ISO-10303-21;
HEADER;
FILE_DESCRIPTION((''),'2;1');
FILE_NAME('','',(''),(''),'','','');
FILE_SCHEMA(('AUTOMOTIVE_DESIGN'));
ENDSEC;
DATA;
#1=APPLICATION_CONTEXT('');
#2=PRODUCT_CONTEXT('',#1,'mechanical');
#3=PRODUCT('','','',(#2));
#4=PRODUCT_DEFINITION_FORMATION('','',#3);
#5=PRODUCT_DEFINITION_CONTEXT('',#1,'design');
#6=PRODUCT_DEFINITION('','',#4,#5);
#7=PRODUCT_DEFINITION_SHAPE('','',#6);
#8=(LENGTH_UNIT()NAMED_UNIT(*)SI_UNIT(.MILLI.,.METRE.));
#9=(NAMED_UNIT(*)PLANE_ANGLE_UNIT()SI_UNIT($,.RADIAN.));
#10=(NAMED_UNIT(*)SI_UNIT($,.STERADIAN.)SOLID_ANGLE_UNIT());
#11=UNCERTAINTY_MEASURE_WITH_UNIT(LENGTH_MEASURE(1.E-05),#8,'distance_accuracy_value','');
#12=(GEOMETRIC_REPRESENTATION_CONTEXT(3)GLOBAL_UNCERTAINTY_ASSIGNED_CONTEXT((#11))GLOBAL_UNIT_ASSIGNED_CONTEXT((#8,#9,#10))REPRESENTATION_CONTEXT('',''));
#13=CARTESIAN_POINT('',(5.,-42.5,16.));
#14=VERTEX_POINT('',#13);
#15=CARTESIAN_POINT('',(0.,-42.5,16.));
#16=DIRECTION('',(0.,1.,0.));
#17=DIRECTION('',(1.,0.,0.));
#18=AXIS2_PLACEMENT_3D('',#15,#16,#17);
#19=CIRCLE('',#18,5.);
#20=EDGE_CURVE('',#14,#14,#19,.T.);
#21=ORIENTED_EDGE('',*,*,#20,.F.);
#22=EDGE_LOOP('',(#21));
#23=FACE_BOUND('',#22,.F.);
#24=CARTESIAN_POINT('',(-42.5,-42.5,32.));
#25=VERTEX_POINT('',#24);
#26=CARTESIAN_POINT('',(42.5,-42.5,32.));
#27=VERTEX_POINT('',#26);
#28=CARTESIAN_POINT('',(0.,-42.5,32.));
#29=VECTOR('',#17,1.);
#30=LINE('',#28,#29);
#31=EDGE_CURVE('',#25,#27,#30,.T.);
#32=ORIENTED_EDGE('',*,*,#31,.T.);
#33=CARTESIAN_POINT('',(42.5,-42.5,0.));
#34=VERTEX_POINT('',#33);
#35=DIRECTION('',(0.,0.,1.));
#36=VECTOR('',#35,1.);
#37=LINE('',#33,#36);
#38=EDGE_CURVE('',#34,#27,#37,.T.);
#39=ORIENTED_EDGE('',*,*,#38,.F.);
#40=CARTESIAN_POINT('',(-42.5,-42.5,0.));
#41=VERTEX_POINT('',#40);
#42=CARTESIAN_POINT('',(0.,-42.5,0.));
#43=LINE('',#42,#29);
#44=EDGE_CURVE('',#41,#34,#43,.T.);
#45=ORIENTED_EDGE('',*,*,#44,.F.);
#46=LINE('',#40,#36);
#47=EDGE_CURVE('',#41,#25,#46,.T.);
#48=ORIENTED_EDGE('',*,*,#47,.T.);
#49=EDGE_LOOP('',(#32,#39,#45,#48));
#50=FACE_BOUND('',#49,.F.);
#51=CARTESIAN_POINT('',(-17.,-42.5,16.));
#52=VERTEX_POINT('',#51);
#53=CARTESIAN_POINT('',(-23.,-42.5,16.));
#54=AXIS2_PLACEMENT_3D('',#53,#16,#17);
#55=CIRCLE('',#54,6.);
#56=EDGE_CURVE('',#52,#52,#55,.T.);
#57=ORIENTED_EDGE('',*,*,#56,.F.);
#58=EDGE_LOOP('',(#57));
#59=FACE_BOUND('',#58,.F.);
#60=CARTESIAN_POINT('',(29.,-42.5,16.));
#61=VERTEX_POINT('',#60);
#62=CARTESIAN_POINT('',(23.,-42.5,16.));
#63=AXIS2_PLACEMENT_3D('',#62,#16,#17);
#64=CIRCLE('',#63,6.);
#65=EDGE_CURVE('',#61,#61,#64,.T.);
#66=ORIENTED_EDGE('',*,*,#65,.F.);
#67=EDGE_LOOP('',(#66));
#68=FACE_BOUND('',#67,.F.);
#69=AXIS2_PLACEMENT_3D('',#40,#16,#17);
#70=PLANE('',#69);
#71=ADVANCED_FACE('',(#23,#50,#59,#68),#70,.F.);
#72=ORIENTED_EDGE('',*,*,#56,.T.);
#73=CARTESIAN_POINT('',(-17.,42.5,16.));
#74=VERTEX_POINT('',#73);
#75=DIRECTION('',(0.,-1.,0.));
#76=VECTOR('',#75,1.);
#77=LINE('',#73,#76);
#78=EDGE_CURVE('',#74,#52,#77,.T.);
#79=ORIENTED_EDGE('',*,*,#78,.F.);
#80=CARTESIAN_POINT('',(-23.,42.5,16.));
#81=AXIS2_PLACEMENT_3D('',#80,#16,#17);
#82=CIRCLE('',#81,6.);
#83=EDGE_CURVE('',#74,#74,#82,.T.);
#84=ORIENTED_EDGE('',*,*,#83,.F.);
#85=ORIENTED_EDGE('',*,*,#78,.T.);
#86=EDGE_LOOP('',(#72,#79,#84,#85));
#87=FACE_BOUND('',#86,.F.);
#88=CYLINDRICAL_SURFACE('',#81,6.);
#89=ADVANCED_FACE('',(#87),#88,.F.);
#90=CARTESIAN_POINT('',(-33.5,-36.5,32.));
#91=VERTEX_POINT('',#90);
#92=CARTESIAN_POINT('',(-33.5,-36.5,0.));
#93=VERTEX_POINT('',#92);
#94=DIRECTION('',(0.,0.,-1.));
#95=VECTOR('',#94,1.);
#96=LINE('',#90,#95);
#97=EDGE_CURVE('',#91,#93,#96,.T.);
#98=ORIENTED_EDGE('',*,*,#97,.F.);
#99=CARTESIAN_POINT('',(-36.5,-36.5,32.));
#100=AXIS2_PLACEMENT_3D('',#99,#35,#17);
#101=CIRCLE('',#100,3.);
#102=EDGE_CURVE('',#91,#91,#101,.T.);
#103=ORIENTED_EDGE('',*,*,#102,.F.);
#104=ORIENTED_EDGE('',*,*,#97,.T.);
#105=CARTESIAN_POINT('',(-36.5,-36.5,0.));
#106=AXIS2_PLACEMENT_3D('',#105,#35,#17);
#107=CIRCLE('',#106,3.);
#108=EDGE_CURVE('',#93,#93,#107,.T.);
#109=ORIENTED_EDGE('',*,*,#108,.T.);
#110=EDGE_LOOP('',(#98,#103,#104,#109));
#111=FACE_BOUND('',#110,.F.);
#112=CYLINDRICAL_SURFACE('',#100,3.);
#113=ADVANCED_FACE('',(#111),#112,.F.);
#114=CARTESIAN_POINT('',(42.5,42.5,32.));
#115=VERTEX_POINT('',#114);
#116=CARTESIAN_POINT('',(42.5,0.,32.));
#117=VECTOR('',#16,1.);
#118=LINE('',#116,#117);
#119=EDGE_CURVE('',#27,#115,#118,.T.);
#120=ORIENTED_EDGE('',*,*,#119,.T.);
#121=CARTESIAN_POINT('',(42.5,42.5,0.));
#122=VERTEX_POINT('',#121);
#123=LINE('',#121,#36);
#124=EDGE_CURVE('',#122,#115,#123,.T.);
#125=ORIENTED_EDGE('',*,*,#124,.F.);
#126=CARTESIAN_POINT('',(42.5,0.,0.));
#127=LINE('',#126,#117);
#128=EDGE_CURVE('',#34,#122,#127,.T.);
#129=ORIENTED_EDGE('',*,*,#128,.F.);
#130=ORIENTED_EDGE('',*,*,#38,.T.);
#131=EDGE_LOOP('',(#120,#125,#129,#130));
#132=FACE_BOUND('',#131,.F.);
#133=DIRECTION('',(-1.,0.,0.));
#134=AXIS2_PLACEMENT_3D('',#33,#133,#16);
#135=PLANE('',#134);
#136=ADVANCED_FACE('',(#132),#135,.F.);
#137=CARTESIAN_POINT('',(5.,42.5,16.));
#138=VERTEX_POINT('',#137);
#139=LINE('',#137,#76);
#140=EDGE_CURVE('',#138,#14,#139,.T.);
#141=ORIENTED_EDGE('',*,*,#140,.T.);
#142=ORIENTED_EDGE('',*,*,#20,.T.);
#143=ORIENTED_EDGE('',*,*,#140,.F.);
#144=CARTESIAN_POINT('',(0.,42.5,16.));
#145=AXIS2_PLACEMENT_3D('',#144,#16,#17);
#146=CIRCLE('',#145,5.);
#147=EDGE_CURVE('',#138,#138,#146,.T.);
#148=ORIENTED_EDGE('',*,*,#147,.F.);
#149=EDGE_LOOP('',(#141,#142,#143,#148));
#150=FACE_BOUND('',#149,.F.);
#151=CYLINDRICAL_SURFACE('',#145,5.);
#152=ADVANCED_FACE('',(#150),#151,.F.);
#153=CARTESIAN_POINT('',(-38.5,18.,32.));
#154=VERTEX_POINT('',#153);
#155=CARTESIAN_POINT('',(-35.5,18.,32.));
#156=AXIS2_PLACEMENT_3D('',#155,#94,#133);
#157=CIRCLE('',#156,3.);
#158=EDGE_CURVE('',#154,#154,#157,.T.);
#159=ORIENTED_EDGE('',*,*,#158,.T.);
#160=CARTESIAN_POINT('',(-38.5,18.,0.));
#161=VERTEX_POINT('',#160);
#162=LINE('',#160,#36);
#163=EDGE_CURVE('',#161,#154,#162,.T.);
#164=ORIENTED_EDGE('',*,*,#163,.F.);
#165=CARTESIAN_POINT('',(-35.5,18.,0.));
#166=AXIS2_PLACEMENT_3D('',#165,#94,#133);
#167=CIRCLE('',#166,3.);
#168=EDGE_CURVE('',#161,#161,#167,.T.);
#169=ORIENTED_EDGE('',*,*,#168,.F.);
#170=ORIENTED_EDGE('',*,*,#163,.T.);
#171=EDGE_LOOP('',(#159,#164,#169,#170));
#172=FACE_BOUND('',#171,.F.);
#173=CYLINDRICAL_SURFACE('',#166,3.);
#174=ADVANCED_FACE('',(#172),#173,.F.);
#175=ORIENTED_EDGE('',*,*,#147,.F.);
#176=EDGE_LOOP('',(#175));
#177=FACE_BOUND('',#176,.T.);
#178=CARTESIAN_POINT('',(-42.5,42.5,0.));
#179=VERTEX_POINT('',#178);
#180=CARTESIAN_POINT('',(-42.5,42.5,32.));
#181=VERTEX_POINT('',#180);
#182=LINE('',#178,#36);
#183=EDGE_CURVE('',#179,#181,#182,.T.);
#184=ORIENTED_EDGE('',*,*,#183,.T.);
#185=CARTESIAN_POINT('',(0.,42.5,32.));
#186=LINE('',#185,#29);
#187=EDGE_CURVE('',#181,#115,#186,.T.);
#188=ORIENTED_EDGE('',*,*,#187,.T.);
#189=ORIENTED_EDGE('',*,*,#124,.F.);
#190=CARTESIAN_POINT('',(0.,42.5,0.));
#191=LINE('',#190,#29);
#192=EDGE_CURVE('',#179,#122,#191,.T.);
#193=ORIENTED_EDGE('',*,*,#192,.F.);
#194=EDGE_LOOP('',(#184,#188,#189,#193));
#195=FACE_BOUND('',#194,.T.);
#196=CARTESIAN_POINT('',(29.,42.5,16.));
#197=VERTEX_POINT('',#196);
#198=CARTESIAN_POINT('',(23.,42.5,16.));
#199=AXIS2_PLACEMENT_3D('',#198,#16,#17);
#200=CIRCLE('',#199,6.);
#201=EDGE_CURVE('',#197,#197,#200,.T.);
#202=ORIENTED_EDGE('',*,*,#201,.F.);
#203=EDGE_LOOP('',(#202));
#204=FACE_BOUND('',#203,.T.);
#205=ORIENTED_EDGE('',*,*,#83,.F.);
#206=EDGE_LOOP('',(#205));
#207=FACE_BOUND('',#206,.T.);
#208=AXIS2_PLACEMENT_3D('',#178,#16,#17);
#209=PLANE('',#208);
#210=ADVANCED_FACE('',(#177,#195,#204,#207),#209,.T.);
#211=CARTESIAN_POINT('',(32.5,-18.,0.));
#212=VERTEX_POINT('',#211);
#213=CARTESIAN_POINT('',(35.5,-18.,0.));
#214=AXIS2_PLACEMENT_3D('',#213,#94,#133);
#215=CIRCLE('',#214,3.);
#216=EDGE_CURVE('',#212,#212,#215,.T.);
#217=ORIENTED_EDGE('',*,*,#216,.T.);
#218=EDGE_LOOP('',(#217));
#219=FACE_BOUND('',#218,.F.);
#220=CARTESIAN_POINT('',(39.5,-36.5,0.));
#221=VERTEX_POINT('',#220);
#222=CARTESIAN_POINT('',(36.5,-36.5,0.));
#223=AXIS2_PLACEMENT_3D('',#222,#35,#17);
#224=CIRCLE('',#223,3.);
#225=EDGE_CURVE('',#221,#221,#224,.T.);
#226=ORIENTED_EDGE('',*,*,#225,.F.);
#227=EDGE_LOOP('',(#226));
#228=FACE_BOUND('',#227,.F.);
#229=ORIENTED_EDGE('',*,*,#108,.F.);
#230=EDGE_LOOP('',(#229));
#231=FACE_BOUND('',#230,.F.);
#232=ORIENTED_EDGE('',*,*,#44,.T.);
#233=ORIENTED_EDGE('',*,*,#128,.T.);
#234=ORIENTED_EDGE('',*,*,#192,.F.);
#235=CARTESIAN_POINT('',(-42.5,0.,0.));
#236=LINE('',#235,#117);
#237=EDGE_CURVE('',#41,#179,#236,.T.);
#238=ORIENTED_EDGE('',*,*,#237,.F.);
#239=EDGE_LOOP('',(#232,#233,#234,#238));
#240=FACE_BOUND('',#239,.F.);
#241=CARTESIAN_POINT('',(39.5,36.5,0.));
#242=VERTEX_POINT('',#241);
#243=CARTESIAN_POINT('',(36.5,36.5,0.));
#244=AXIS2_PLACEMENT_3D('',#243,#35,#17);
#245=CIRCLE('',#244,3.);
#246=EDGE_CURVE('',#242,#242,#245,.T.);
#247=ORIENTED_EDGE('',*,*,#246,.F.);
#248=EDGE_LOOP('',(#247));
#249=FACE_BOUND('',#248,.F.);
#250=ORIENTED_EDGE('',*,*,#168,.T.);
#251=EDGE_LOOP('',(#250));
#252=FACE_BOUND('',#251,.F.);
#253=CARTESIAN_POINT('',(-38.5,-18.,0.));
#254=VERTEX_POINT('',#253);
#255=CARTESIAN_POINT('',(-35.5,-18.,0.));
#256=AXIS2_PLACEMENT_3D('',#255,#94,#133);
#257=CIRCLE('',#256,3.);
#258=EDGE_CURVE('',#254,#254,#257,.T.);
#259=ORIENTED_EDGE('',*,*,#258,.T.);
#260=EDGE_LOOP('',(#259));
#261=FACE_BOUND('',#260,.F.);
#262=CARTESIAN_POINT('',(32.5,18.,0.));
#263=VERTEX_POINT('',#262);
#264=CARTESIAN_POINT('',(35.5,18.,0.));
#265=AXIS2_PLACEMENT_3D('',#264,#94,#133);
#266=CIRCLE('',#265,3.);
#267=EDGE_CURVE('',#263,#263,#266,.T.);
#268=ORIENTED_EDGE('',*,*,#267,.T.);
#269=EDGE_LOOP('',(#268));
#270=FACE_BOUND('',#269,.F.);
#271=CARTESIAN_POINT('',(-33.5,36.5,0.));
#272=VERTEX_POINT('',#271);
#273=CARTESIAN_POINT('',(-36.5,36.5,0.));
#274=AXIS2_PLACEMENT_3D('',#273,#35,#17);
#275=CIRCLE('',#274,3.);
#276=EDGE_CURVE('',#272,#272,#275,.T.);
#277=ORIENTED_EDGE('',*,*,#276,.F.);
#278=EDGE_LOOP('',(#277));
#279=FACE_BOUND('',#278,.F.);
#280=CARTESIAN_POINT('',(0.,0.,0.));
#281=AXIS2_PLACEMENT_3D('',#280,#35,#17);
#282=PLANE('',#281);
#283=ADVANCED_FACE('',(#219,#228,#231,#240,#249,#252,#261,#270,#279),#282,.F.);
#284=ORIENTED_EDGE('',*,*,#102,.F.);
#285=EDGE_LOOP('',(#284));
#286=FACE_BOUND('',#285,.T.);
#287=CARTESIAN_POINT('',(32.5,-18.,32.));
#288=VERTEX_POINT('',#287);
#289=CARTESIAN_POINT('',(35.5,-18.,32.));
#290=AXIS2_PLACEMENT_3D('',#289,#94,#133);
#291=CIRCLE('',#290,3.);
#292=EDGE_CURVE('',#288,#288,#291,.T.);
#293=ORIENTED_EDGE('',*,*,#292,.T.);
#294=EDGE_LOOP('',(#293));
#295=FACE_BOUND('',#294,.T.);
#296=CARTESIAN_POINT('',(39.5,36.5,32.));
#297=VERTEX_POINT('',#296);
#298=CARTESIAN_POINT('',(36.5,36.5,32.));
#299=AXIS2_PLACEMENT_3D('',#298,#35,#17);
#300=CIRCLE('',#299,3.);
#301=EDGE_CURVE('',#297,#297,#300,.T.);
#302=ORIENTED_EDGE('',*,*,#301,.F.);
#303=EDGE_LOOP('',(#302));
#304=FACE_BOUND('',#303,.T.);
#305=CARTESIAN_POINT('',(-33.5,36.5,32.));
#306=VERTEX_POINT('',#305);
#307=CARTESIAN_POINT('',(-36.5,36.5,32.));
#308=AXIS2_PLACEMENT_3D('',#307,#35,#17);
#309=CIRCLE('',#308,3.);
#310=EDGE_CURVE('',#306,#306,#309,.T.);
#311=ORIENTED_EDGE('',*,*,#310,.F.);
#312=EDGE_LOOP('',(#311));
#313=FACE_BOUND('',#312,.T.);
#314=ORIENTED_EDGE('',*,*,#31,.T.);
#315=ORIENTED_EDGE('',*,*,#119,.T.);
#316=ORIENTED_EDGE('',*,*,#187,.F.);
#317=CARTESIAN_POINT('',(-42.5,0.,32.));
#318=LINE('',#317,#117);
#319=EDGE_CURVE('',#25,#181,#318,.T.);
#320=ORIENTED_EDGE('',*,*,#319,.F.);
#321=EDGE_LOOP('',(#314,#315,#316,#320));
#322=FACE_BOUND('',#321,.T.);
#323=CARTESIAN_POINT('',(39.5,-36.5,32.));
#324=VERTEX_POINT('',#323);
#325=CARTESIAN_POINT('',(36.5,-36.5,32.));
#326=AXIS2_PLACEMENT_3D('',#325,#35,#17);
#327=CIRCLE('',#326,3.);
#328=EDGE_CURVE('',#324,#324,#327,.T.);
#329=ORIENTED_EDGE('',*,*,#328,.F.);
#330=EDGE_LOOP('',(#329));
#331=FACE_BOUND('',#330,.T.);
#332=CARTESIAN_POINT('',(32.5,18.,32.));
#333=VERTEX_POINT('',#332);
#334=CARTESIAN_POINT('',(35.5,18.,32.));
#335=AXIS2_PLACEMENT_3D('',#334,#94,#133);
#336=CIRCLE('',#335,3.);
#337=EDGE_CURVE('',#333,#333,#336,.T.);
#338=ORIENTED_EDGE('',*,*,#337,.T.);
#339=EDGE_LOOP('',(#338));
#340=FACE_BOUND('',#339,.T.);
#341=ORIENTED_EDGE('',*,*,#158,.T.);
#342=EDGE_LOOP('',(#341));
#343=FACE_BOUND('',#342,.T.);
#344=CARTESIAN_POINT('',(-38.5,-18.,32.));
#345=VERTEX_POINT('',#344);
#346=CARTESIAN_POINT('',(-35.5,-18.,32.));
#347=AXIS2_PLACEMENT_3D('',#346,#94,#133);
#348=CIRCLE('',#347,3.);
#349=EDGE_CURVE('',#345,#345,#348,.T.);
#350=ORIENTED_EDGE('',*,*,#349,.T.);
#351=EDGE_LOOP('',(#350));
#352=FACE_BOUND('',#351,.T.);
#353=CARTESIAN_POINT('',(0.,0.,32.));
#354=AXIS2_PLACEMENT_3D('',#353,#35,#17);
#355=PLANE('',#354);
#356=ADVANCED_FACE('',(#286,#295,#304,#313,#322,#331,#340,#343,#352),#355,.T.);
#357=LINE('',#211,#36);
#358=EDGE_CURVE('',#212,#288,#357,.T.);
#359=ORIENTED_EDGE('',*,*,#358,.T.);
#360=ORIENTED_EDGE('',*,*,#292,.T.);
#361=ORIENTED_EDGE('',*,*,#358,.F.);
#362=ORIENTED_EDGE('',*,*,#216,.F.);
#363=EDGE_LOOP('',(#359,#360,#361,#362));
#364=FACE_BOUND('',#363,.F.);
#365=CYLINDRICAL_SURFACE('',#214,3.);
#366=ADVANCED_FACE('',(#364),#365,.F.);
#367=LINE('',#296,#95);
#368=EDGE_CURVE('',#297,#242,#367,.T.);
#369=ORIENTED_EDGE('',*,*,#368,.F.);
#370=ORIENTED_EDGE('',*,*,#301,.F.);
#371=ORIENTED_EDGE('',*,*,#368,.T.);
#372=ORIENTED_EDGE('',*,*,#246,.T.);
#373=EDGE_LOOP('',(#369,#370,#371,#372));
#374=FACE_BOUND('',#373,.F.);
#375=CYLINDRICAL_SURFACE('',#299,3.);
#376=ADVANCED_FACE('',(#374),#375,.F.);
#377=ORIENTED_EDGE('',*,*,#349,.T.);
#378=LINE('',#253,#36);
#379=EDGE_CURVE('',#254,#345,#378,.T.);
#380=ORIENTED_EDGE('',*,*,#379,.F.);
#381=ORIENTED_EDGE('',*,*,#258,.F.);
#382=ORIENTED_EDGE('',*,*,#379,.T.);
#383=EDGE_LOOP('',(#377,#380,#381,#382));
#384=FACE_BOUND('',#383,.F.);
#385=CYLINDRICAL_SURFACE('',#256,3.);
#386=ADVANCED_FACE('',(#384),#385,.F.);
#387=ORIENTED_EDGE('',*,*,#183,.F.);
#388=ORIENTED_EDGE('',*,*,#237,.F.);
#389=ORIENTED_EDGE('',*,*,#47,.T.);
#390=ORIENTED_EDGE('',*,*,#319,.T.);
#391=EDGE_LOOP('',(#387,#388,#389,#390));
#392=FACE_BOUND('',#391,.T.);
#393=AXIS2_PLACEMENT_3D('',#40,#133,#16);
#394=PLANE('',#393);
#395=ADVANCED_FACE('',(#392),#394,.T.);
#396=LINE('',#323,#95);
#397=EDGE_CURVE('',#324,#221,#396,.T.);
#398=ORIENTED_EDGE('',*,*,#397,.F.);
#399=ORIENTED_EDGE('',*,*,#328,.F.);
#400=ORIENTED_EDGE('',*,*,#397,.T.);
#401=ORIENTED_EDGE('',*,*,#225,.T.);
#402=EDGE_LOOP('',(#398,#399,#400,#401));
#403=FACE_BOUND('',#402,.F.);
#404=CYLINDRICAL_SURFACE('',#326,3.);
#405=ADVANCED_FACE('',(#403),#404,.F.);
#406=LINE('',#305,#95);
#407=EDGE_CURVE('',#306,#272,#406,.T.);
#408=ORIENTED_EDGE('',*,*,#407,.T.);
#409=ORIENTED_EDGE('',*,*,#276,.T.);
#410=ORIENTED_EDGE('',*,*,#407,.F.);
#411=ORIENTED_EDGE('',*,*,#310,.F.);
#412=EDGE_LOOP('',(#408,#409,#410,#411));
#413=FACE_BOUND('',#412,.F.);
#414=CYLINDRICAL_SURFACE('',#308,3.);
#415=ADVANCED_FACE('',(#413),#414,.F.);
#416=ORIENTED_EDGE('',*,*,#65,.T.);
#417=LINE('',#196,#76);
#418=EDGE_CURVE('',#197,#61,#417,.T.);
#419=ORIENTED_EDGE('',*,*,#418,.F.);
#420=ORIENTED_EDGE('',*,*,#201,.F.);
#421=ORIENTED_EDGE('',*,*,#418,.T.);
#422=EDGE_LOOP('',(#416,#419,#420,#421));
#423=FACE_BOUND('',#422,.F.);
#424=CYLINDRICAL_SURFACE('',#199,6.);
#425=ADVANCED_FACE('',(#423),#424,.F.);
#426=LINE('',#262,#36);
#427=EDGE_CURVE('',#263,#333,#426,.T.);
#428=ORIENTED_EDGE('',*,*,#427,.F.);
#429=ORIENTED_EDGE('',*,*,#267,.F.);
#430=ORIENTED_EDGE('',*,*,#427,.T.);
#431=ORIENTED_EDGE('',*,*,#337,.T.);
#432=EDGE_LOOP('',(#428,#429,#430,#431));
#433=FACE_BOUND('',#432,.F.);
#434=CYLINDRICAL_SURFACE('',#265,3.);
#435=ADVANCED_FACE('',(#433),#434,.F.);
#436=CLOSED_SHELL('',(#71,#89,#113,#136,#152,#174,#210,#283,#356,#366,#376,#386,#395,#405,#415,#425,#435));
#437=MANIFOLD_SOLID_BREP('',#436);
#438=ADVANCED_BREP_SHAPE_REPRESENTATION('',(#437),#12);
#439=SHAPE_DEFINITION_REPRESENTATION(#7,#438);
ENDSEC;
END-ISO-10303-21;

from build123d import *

# Parameters (mm, degrees)
SKETCH1_W           = 85
SKETCH1_H           = 85
BOSS_EXTRUDE1_DEPTH = 32
SKETCH2_R           = 3
CUT_EXTRUDE1_DEPTH  = 33
SKETCH3_R           = 5
SKETCH3_R_2         = 6
CUT_EXTRUDE2_DEPTH  = 86
SKETCH4_R           = 3
CUT_EXTRUDE3_DEPTH  = 33


with BuildPart() as part:
    # Sketch1 → Boss-Extrude1 (new body)
    with BuildSketch(Plane.XY):
        Rectangle(SKETCH1_W, SKETCH1_H)
    extrude(amount=BOSS_EXTRUDE1_DEPTH)

    # Sketch2 → Cut-Extrude1 (cut, through all)
    with BuildSketch(Plane.XY.offset(32)):
        with Locations((-36.5, 36.5)):
            Circle(SKETCH2_R)
        with Locations((36.5, 36.5)):
            Circle(SKETCH2_R)
        with Locations((36.5, -36.5)):
            Circle(SKETCH2_R)
        with Locations((-36.5, -36.5)):
            Circle(SKETCH2_R)
    extrude(amount=-CUT_EXTRUDE1_DEPTH, mode=Mode.SUBTRACT)

    # Sketch3 → Cut-Extrude2 (cut, through all)
    with BuildSketch(Plane(origin=(0, 42.5, 0), x_dir=(1, 0, 0), z_dir=(0, 1, 0))):
        with Locations((0, -16)):
            Circle(SKETCH3_R)
        with Locations((-23, -16)):
            Circle(SKETCH3_R_2)
        with Locations((23, -16)):
            Circle(SKETCH3_R_2)
    extrude(amount=-CUT_EXTRUDE2_DEPTH, mode=Mode.SUBTRACT)

    # Sketch4 → Cut-Extrude3 (cut, through all)
    with BuildSketch(Plane(origin=(0, 0, 0), x_dir=(-1, 0, 0), z_dir=(0, 0, -1))):
        with Locations((-35.5, 18)):
            Circle(SKETCH4_R)
        with Locations((-35.5, -18)):
            Circle(SKETCH4_R)
        with Locations((35.5, -18)):
            Circle(SKETCH4_R)
        with Locations((35.5, 18)):
            Circle(SKETCH4_R)
    extrude(amount=-CUT_EXTRUDE3_DEPTH, mode=Mode.SUBTRACT)


solid = part.part
